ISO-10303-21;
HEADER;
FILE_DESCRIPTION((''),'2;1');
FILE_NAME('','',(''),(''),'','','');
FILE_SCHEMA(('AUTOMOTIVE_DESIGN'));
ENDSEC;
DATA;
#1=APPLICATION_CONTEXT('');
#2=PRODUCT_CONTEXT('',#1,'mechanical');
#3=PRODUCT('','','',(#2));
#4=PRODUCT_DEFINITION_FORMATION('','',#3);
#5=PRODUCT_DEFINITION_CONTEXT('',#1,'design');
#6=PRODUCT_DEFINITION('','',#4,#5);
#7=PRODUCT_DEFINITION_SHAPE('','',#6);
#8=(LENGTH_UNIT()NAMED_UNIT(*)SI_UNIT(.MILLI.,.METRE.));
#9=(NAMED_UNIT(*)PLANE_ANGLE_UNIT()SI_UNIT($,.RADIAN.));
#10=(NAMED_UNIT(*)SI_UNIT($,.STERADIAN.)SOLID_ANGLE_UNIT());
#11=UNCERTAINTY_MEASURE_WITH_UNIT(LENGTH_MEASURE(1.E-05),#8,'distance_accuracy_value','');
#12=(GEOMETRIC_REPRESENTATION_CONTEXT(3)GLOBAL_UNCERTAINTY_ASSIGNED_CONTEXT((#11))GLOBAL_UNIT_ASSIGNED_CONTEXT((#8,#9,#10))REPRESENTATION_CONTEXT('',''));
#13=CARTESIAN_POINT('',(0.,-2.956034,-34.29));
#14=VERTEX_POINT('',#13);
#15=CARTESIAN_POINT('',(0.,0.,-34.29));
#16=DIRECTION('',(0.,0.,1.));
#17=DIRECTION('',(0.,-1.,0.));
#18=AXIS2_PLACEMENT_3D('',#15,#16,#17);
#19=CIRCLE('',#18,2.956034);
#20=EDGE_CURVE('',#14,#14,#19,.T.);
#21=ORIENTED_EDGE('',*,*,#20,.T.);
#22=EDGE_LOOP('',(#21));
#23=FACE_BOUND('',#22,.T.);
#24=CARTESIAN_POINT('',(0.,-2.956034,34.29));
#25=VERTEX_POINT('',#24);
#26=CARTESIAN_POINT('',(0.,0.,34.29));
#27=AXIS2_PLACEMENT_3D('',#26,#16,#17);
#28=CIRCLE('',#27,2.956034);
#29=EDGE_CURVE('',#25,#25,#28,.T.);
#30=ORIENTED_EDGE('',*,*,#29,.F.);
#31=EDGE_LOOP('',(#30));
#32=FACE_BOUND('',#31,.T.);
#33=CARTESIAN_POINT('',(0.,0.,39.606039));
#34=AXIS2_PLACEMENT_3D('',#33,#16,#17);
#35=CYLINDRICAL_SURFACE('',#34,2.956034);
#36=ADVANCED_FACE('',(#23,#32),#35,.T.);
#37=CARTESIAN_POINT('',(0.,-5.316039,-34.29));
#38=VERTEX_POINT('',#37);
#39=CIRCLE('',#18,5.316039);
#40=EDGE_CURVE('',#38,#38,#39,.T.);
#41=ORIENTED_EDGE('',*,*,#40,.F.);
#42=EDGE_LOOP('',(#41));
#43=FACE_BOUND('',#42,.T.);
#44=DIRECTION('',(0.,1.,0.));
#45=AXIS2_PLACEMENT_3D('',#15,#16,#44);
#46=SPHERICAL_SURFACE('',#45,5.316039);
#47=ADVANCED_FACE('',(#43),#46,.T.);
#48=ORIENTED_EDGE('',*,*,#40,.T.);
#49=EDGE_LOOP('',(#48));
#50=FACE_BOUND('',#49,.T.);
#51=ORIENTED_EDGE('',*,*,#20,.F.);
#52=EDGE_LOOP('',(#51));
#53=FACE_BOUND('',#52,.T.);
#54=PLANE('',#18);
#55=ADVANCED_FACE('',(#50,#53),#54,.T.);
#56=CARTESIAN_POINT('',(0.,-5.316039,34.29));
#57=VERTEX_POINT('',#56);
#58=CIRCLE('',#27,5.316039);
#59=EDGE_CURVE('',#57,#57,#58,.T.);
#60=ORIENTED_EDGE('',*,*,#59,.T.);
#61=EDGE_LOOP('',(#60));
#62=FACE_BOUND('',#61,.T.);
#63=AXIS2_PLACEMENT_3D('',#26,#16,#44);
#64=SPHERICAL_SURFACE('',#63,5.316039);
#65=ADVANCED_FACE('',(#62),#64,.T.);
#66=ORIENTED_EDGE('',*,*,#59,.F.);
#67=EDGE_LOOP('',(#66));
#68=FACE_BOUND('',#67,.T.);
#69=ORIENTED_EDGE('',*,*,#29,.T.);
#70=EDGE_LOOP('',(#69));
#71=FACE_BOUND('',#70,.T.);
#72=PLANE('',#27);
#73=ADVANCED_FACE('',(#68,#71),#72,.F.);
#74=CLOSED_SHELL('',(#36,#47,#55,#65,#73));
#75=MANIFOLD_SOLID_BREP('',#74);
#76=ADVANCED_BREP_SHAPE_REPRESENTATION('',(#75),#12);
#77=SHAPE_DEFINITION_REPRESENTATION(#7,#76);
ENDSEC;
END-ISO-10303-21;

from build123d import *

# Parameters (mm, degrees)
SKETCH2_W = 68.58
SKETCH2_H = 2.956034483


with BuildPart() as part:
    # Sketch2 → Revolve1 (revolve)
    with BuildSketch(Plane(origin=(0, 0, 0), x_dir=(0, 0, -1), z_dir=(1, 0, 0))):
        with Locations((0, 1.478017242)):
            Rectangle(SKETCH2_W, SKETCH2_H)
        with BuildLine():
            ThreePointArc((-34.29, 5.316039249), (-38.049007402, 3.759007402), (-39.606039249, 0))
            Line((-39.606039249, 0), (-34.29, 0))
            Line((-34.29, 0), (-34.29, 2.956034483))
            Line((-34.29, 2.956034483), (-34.29, 5.316039249))
        make_face()
        with BuildLine():
            Line((34.29, 2.956034483), (34.29, 0))
            Line((34.29, 0), (39.606039249, 0))
            ThreePointArc((39.606039249, 0), (38.049007402, 3.759007402), (34.29, 5.316039249))
            Line((34.29, 5.316039249), (34.29, 2.956034483))
        make_face()
    revolve(axis=Axis((0, 0, 39.606039249), (0, 0, -1)))


solid = part.part
